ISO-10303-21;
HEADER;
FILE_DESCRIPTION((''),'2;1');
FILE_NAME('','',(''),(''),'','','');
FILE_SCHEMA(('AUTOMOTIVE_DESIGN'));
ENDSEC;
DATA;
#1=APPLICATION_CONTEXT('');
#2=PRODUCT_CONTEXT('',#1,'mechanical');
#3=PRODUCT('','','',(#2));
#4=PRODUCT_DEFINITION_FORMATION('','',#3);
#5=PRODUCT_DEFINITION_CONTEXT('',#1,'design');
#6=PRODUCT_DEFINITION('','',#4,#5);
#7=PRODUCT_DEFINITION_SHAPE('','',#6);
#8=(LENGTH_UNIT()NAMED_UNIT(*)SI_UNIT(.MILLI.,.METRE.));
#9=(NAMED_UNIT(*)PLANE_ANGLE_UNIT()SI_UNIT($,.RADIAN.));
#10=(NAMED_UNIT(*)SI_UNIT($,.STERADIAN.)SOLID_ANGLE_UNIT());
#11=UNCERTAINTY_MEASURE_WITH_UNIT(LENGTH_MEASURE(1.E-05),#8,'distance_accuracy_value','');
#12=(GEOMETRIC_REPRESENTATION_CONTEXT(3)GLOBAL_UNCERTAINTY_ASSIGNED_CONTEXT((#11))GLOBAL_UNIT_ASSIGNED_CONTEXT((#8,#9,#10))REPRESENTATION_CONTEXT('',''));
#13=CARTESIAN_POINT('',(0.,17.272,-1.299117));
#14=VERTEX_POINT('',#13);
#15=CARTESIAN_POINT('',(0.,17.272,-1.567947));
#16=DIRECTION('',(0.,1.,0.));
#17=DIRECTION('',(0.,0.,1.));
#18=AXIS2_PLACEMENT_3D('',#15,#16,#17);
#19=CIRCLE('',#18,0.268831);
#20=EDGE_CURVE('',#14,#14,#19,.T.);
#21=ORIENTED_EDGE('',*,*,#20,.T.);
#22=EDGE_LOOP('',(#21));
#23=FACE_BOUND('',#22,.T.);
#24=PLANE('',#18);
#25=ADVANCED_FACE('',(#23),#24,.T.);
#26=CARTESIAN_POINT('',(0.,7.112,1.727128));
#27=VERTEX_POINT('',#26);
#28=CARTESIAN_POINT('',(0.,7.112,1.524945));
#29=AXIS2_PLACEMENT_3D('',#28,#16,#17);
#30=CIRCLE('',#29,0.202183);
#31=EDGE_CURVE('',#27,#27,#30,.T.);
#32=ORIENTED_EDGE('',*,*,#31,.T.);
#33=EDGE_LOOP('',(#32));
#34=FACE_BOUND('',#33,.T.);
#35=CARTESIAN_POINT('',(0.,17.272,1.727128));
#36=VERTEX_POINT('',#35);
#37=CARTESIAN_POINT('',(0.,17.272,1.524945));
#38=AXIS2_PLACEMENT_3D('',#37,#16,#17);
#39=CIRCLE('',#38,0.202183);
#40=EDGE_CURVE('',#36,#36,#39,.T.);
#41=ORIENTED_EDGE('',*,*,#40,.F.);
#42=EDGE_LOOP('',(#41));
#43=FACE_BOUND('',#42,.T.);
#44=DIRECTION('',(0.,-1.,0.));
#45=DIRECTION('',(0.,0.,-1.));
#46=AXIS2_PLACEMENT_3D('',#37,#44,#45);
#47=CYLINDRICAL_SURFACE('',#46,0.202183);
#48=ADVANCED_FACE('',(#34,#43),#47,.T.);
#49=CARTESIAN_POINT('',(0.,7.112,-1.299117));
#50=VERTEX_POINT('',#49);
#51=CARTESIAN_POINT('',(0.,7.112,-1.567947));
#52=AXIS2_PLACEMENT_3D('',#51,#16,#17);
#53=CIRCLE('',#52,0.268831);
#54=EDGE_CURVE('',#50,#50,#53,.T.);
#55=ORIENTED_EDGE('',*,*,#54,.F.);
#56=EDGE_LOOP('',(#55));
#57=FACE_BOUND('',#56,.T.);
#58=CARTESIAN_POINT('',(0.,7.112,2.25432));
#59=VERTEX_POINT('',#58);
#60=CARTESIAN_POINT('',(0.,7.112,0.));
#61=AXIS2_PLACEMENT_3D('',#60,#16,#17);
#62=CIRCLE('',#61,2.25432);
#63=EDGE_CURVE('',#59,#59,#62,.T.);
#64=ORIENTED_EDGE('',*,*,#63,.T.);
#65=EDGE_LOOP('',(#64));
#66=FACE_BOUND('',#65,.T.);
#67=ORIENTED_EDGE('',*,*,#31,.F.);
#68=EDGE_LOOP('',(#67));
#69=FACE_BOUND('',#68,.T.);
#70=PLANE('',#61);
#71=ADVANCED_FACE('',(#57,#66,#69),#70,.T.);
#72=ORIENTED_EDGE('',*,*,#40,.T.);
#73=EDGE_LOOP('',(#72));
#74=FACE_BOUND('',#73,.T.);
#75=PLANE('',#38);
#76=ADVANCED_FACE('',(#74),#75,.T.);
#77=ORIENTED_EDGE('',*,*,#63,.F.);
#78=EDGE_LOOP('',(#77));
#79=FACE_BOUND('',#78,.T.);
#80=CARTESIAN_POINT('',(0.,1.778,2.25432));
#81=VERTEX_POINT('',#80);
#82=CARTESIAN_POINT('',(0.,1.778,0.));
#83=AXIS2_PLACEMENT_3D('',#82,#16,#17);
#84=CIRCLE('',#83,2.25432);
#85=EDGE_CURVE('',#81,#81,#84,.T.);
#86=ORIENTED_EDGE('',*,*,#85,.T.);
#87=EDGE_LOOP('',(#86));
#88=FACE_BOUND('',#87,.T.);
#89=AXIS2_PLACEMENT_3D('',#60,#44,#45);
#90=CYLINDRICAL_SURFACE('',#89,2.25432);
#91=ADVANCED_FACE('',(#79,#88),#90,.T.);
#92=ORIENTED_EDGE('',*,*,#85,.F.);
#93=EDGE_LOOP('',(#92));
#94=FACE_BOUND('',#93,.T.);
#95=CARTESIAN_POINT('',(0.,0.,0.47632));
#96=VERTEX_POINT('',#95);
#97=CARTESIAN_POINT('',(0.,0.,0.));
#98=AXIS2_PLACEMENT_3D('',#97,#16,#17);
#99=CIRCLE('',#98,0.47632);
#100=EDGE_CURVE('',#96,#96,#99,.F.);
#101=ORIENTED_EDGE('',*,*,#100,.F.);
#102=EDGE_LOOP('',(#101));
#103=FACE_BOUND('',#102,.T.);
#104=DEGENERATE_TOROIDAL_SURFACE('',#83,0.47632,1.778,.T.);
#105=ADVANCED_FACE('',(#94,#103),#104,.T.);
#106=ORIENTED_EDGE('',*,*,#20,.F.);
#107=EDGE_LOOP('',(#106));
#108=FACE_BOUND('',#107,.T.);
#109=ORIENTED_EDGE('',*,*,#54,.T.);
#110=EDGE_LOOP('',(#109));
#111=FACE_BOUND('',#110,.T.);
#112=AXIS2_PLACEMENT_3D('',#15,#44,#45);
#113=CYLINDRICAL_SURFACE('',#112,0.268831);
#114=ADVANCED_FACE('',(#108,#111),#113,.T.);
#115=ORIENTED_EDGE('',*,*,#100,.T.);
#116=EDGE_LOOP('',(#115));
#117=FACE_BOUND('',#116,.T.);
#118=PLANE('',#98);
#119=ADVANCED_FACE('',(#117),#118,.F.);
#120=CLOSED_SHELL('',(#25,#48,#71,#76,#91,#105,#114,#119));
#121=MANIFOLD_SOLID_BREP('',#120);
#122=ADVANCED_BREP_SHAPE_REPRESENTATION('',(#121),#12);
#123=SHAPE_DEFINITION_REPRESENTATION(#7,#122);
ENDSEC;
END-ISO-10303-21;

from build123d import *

# Parameters (mm, degrees)
SKETCH1_R           = 2.254320316
BOSS_EXTRUDE1_DEPTH = 7.112
SKETCH2_R           = 0.268830558
SKETCH2_R_2         = 0.202182998
BOSS_EXTRUDE2_DEPTH = 10.16
FILLET4_R           = 1.778


with BuildPart() as part:
    # Sketch1 → Boss-Extrude1 (new body)
    with BuildSketch(Plane(origin=(0, 0, 0), x_dir=(1, 0, 0), z_dir=(0, 1, 0))):
        Circle(SKETCH1_R)
    extrude(amount=BOSS_EXTRUDE1_DEPTH)

    # Sketch2 → Boss-Extrude2 (add)
    with BuildSketch(Plane(origin=(0, 7.112, 0), x_dir=(1, 0, 0), z_dir=(0, 1, 0))):
        with Locations((0, 1.567947129)):
            Circle(SKETCH2_R)
        with Locations((0, -1.52494477)):
            Circle(SKETCH2_R_2)
    extrude(amount=BOSS_EXTRUDE2_DEPTH)

    # Fillet4
    fillet4_edges = [part.edges().sort_by_distance(p)[0] for p in [
        (-2.254320316, 0, 0),
    ]]
    fillet(fillet4_edges, radius=FILLET4_R)


solid = part.part
